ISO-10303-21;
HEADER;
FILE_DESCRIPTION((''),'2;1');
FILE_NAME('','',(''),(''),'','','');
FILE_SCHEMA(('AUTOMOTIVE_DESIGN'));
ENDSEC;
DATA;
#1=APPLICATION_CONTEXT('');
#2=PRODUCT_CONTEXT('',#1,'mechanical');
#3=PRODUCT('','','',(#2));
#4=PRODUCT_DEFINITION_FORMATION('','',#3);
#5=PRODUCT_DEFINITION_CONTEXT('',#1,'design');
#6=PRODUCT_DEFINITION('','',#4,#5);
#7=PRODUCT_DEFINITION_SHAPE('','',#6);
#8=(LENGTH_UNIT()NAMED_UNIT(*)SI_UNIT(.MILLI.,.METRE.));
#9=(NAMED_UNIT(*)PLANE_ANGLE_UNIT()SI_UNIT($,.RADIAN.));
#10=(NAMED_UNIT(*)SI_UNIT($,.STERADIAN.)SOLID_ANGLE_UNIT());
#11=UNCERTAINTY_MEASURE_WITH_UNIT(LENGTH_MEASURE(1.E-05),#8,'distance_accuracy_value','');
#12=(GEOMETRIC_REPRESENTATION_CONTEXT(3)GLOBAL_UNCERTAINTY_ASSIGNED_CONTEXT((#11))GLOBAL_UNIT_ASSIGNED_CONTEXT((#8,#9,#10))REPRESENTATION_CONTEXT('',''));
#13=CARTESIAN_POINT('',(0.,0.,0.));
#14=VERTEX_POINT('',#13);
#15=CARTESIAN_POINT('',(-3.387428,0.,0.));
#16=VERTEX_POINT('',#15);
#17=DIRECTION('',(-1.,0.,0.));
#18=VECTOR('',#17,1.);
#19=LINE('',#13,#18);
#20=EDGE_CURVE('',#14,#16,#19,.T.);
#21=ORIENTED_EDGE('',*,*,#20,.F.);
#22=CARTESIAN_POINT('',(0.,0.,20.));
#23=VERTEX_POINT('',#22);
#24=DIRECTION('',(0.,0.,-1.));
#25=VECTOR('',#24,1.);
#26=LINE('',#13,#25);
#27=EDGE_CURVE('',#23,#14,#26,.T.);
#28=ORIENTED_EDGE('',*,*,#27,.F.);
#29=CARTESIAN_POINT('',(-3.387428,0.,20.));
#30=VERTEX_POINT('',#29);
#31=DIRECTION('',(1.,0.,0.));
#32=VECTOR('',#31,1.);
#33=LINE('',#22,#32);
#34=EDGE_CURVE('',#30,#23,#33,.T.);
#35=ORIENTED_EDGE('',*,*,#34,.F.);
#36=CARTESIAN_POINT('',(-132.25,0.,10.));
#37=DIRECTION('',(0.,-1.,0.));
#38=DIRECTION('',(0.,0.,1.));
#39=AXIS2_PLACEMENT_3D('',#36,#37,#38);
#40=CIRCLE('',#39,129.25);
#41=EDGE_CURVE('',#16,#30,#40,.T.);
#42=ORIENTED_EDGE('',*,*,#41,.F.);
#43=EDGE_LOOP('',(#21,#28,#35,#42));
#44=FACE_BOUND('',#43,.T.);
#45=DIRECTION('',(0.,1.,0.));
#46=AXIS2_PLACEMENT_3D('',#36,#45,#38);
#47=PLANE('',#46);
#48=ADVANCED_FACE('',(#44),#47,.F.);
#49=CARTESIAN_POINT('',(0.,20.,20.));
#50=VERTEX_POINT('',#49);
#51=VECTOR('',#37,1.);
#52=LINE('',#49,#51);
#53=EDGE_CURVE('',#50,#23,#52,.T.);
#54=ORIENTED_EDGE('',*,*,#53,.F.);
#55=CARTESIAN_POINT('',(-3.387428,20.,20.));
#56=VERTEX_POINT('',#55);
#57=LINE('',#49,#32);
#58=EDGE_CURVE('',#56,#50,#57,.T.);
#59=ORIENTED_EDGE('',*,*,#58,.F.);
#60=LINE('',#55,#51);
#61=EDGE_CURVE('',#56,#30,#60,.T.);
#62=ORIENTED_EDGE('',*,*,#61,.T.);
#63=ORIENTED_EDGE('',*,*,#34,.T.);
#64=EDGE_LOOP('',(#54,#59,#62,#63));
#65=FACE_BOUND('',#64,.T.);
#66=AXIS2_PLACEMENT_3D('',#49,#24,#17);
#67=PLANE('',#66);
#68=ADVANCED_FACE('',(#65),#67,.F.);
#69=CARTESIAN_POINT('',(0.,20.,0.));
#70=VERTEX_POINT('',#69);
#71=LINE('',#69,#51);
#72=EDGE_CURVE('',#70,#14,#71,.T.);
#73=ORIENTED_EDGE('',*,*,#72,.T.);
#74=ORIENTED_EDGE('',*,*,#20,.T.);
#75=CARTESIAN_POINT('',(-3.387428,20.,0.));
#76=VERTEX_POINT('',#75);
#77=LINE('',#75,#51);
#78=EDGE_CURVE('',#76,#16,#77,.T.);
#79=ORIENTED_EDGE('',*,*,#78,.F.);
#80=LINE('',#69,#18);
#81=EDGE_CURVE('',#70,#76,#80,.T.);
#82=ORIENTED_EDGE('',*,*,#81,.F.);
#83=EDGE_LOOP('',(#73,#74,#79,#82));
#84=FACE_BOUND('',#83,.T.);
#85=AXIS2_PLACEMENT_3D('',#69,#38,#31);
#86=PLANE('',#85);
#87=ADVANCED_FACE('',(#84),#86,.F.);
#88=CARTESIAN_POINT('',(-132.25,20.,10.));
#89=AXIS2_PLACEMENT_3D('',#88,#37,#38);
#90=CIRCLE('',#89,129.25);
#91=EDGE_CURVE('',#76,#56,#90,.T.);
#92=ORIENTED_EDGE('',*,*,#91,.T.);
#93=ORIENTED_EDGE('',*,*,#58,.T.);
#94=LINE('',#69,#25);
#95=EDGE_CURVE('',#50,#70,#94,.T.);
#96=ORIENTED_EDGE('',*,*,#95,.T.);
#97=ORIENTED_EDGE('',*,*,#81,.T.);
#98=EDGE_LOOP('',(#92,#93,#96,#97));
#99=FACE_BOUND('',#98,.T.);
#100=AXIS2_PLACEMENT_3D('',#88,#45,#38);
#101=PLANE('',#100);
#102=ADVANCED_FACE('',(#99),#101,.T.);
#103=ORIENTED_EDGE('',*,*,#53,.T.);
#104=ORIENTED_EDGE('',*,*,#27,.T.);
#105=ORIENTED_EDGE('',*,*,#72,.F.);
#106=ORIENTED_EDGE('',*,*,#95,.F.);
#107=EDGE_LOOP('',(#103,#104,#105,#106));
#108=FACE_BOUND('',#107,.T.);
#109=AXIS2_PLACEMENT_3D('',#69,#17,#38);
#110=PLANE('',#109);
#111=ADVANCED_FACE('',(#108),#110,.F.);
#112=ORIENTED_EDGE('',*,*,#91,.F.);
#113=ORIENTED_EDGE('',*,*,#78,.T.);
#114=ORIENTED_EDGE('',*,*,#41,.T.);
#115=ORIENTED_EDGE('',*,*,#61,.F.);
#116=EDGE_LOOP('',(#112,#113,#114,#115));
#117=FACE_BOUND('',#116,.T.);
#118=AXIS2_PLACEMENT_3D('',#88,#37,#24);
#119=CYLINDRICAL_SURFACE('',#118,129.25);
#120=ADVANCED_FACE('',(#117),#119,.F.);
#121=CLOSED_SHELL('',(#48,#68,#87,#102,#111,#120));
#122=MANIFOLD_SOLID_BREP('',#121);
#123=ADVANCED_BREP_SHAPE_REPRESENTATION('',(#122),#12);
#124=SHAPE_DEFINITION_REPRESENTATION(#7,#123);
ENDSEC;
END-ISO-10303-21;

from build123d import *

# Parameters (mm, degrees)
EXTRUDE_1_DEPTH = 20


with BuildPart() as part:
    # 草图1 → 凸台-拉伸1 (new body)
    with BuildSketch(Plane(origin=(0, 0, 0), x_dir=(1, 0, 0), z_dir=(0, 1, 0))):
        with BuildLine():
            Line((0, 0), (0, -20))
            Line((0, -20), (-3.387427854, -20))
            ThreePointArc((-3.387427854, -20), (-3, -10), (-3.387427854, 0))
            Line((-3.387427854, 0), (0, 0))
        make_face()
    extrude(amount=EXTRUDE_1_DEPTH)


solid = part.part
